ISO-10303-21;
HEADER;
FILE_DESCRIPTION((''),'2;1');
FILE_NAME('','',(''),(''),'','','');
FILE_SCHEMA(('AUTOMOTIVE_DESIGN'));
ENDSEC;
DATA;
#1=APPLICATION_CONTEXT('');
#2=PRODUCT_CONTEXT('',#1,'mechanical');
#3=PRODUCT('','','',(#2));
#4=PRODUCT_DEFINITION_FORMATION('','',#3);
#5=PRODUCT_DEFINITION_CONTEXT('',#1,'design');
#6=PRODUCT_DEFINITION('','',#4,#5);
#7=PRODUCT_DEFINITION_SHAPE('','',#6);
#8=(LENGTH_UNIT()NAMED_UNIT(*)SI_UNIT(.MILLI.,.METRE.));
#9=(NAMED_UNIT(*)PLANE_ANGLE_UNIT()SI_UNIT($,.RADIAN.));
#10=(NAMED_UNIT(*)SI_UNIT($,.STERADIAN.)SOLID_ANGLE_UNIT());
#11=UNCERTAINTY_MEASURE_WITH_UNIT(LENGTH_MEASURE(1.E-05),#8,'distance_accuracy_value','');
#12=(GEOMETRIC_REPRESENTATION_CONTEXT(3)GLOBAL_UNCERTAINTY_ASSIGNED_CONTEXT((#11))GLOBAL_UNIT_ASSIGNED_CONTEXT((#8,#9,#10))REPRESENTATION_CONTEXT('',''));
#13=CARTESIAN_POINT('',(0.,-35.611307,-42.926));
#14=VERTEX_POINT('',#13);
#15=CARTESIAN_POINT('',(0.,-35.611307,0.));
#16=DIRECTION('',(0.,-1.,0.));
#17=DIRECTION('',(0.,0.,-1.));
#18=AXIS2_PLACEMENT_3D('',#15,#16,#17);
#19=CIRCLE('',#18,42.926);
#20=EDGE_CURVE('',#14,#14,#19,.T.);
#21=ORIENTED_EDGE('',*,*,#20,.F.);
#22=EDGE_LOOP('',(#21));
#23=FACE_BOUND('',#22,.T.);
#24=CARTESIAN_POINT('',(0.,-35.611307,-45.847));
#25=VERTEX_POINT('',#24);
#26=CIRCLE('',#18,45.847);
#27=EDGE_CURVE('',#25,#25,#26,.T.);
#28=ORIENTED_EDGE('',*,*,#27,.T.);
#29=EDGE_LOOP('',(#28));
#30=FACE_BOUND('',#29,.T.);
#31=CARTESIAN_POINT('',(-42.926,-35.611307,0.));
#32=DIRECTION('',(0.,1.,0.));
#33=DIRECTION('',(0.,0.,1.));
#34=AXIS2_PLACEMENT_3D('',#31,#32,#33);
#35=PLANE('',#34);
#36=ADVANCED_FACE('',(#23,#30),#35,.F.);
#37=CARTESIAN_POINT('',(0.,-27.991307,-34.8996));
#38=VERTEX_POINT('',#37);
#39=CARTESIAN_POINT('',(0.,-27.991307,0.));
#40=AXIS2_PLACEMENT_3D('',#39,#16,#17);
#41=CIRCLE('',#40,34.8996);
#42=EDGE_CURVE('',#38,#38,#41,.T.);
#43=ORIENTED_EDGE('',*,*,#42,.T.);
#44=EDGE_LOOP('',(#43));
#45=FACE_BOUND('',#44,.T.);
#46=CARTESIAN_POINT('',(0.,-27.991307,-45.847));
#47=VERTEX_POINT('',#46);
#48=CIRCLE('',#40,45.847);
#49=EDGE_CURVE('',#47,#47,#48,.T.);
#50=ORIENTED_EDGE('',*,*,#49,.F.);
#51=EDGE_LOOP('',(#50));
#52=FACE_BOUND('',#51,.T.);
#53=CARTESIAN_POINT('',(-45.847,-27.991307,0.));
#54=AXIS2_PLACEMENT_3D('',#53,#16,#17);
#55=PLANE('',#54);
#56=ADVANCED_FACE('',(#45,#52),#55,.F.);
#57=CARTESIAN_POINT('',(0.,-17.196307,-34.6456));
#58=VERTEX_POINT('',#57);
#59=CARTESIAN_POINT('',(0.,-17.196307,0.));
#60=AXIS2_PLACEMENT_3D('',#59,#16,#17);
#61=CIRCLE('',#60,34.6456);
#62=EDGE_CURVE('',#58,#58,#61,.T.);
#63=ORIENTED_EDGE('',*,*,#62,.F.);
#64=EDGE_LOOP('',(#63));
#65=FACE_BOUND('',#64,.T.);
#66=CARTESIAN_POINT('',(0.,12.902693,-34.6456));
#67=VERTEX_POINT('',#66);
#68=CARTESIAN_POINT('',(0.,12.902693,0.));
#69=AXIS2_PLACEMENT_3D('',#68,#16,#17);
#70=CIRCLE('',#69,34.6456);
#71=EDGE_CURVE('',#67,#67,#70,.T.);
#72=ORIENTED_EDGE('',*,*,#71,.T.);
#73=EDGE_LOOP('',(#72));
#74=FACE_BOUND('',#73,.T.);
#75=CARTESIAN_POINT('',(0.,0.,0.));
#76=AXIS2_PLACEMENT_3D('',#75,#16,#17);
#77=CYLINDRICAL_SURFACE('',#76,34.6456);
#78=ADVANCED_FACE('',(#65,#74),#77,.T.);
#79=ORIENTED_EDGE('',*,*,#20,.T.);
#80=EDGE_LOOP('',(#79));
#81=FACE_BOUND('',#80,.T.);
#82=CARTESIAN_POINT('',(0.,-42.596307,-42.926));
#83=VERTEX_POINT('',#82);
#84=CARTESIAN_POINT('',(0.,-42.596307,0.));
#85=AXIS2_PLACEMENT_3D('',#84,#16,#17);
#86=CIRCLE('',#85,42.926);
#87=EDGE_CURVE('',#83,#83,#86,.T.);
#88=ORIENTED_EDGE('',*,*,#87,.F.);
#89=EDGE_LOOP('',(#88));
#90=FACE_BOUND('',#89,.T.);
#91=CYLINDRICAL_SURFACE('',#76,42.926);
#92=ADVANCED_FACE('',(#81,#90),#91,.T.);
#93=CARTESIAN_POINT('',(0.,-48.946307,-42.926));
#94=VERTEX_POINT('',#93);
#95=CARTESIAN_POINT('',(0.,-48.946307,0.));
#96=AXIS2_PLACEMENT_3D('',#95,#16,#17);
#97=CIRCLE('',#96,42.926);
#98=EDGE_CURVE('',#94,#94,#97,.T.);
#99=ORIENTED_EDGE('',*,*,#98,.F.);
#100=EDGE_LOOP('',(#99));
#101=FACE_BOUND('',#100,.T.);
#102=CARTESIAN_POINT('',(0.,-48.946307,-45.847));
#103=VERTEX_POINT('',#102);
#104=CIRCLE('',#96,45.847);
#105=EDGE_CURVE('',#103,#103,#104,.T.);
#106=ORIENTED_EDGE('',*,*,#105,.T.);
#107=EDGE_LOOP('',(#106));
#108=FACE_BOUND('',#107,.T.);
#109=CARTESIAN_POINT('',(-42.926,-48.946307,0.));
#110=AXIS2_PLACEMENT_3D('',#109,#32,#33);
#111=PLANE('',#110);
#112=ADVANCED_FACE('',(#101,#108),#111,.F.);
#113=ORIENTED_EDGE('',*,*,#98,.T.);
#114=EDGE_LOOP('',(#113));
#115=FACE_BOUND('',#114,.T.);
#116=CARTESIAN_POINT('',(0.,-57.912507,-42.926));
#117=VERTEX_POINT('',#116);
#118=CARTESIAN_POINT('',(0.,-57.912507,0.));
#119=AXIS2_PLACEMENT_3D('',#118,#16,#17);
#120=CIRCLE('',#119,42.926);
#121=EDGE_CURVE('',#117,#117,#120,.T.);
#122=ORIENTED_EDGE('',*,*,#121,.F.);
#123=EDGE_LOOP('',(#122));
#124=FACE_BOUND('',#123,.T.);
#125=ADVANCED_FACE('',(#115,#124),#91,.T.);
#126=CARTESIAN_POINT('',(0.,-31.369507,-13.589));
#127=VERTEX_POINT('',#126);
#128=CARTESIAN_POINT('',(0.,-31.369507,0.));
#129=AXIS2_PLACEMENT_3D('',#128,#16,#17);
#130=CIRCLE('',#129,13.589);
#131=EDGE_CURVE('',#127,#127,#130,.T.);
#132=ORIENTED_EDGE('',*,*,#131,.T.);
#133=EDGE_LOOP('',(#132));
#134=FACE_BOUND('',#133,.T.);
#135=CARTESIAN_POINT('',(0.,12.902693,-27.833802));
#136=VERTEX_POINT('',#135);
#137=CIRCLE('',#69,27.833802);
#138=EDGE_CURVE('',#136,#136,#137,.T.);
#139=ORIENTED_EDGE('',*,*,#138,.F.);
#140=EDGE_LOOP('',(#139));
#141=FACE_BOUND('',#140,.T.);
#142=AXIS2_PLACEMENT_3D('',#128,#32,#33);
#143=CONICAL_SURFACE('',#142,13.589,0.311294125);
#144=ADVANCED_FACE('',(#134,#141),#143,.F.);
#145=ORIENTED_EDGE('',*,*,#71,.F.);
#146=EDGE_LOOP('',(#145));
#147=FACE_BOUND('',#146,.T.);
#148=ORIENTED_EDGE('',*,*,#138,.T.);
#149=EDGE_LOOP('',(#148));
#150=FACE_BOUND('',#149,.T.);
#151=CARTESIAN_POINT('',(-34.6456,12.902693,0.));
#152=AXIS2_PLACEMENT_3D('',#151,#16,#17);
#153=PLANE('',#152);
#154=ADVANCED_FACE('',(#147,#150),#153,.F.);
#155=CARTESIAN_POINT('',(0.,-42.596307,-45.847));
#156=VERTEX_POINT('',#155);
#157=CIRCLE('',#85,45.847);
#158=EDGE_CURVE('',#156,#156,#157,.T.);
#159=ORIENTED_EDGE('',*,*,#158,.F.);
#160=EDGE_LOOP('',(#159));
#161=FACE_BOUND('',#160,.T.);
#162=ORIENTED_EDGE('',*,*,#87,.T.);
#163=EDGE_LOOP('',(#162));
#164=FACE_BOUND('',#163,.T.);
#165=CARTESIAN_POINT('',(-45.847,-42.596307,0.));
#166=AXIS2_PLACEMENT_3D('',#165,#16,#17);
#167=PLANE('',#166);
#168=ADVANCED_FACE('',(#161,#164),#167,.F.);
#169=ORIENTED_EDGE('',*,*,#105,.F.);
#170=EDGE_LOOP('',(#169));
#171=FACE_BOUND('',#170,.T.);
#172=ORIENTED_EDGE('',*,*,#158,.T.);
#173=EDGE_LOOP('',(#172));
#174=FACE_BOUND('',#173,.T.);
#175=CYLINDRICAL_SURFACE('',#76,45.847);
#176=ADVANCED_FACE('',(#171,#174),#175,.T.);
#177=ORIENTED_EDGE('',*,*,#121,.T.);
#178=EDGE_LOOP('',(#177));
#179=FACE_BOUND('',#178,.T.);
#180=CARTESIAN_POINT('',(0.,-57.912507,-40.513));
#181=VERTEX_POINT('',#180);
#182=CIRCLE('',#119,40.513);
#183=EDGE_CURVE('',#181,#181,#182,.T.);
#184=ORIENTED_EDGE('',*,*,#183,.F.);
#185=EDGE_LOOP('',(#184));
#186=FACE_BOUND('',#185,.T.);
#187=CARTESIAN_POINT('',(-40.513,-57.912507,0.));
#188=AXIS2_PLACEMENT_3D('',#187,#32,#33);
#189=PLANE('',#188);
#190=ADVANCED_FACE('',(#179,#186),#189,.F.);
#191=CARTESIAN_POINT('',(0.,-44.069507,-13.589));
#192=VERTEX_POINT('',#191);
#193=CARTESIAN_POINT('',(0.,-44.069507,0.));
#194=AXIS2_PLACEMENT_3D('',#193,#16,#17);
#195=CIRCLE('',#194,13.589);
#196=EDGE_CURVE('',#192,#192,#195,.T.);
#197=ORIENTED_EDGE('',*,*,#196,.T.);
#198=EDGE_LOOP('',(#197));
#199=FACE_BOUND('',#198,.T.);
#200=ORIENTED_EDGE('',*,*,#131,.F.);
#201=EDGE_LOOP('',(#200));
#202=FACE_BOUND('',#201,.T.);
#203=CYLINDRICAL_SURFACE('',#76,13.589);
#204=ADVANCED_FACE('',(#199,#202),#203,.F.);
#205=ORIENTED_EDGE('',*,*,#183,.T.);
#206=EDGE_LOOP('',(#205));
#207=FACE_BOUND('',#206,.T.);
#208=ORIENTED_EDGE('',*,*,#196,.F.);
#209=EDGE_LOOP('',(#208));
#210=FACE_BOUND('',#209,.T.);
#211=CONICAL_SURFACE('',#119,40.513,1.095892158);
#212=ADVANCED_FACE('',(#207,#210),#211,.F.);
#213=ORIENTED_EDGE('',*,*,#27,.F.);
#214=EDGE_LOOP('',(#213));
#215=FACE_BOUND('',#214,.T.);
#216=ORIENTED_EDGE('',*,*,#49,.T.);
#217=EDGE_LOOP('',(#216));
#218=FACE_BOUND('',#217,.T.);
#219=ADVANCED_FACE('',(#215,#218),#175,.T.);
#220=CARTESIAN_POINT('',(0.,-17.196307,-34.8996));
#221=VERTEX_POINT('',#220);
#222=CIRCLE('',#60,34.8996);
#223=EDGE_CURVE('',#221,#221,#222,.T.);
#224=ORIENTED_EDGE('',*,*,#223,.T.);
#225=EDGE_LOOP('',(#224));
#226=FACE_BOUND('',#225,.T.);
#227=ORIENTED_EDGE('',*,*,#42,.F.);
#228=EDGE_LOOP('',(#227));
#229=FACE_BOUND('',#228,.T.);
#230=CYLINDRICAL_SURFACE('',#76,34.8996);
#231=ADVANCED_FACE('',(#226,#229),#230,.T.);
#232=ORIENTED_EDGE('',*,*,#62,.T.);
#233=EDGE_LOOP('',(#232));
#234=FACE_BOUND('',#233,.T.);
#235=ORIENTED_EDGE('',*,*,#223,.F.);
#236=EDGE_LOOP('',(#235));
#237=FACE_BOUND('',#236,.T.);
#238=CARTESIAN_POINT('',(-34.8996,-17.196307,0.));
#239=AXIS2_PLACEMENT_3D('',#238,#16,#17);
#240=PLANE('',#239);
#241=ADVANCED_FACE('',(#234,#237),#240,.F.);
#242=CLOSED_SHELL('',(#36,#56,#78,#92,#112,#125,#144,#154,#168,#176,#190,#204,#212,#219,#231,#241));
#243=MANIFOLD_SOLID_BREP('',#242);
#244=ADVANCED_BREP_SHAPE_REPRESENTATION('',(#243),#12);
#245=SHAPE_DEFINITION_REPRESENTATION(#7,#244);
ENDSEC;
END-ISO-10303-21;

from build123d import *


with BuildPart() as part:
    # Sketch1 → Revolve1 (revolve)
    with BuildSketch(Plane.XY):
        Polygon((-27.833802256, 12.902692784), (-13.589, -31.369507216), (-13.589, -44.069507216), (-40.513, -57.912507216), (-42.926, -57.912507216), (-42.926, -48.946307216), (-45.847, -48.946307216), (-45.847, -42.596307216), (-42.926, -42.596307216), (-42.926, -35.611307216), (-45.847, -35.611307216), (-45.847, -27.991307216), (-34.8996, -27.991307216), (-34.8996, -17.196307216), (-34.6456, -17.196307216), (-34.6456, 12.902692784), align=None)
    revolve(axis=Axis((0, 0, 0), (0, 1, 0)))


solid = part.part
